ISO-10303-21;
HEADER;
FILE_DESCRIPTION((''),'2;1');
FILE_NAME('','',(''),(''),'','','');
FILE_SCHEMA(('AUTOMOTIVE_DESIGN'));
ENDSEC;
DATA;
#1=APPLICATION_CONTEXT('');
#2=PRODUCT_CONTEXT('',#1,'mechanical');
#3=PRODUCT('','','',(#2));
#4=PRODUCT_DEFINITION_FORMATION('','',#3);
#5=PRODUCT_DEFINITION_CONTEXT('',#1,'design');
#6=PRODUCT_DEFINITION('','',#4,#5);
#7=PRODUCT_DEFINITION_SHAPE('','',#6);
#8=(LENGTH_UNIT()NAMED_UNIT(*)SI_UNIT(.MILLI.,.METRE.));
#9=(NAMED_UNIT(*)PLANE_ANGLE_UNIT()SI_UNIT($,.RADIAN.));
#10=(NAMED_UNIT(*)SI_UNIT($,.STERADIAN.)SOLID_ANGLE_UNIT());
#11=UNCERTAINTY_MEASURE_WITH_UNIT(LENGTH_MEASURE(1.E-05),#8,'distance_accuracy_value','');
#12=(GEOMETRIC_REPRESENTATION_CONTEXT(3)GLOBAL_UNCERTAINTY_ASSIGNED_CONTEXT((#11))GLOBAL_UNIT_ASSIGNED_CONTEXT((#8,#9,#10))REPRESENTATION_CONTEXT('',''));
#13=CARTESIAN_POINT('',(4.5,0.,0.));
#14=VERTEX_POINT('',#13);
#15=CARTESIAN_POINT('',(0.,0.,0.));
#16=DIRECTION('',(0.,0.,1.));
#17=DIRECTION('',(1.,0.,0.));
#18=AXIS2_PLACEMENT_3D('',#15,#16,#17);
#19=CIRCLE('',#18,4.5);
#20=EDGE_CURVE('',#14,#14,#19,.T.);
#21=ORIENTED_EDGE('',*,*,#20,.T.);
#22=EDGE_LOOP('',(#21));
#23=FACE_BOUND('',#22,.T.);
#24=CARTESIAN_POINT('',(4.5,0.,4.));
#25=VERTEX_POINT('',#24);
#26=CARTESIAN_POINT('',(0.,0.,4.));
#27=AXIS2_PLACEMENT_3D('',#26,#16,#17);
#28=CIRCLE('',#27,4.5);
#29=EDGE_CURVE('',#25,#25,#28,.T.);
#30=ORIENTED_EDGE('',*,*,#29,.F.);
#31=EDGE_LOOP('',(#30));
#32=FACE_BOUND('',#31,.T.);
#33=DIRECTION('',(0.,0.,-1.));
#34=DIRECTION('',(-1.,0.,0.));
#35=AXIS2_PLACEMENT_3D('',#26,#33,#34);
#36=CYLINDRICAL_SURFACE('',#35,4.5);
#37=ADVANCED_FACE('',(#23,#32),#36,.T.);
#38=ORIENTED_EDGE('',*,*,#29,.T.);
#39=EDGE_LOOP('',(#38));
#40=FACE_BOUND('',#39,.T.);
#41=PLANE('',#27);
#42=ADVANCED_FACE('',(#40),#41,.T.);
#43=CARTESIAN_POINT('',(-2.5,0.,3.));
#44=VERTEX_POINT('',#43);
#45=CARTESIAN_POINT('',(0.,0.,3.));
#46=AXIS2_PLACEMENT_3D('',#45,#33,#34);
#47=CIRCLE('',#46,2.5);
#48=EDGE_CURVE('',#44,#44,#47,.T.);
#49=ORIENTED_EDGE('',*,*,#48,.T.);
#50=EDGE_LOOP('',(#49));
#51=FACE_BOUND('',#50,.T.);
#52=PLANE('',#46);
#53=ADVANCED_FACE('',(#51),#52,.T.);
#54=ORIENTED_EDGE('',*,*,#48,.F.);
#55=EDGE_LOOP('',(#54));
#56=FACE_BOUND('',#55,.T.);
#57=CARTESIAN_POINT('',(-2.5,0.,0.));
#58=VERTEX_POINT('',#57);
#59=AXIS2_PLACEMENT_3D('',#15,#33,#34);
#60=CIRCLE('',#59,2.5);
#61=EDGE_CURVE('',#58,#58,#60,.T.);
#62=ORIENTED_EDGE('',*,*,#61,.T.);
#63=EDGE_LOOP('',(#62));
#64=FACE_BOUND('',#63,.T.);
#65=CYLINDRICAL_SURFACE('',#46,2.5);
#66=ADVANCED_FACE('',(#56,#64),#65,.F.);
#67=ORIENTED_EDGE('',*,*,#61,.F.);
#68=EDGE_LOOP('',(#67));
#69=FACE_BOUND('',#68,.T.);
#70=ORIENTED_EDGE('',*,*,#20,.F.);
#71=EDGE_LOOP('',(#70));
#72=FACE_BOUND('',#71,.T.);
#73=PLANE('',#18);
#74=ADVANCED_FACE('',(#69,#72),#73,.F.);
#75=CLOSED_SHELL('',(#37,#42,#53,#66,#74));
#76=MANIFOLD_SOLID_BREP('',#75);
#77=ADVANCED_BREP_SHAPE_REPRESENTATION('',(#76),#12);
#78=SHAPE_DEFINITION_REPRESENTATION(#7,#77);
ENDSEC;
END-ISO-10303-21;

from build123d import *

# Parameters (mm, degrees)
SKETCH1_R           = 4.5
BOSS_EXTRUDE1_DEPTH = 4
SKETCH2_R           = 2.5
CUT_EXTRUDE1_DEPTH  = 3


with BuildPart() as part:
    # Sketch1 → Boss-Extrude1 (new body)
    with BuildSketch(Plane.XY):
        Circle(SKETCH1_R)
    extrude(amount=BOSS_EXTRUDE1_DEPTH)

    # Sketch2 → Cut-Extrude1 (cut)
    with BuildSketch(Plane(origin=(0, 0, 0), x_dir=(-1, 0, 0), z_dir=(0, 0, -1))):
        Circle(SKETCH2_R)
    extrude(amount=-CUT_EXTRUDE1_DEPTH, mode=Mode.SUBTRACT)


solid = part.part
